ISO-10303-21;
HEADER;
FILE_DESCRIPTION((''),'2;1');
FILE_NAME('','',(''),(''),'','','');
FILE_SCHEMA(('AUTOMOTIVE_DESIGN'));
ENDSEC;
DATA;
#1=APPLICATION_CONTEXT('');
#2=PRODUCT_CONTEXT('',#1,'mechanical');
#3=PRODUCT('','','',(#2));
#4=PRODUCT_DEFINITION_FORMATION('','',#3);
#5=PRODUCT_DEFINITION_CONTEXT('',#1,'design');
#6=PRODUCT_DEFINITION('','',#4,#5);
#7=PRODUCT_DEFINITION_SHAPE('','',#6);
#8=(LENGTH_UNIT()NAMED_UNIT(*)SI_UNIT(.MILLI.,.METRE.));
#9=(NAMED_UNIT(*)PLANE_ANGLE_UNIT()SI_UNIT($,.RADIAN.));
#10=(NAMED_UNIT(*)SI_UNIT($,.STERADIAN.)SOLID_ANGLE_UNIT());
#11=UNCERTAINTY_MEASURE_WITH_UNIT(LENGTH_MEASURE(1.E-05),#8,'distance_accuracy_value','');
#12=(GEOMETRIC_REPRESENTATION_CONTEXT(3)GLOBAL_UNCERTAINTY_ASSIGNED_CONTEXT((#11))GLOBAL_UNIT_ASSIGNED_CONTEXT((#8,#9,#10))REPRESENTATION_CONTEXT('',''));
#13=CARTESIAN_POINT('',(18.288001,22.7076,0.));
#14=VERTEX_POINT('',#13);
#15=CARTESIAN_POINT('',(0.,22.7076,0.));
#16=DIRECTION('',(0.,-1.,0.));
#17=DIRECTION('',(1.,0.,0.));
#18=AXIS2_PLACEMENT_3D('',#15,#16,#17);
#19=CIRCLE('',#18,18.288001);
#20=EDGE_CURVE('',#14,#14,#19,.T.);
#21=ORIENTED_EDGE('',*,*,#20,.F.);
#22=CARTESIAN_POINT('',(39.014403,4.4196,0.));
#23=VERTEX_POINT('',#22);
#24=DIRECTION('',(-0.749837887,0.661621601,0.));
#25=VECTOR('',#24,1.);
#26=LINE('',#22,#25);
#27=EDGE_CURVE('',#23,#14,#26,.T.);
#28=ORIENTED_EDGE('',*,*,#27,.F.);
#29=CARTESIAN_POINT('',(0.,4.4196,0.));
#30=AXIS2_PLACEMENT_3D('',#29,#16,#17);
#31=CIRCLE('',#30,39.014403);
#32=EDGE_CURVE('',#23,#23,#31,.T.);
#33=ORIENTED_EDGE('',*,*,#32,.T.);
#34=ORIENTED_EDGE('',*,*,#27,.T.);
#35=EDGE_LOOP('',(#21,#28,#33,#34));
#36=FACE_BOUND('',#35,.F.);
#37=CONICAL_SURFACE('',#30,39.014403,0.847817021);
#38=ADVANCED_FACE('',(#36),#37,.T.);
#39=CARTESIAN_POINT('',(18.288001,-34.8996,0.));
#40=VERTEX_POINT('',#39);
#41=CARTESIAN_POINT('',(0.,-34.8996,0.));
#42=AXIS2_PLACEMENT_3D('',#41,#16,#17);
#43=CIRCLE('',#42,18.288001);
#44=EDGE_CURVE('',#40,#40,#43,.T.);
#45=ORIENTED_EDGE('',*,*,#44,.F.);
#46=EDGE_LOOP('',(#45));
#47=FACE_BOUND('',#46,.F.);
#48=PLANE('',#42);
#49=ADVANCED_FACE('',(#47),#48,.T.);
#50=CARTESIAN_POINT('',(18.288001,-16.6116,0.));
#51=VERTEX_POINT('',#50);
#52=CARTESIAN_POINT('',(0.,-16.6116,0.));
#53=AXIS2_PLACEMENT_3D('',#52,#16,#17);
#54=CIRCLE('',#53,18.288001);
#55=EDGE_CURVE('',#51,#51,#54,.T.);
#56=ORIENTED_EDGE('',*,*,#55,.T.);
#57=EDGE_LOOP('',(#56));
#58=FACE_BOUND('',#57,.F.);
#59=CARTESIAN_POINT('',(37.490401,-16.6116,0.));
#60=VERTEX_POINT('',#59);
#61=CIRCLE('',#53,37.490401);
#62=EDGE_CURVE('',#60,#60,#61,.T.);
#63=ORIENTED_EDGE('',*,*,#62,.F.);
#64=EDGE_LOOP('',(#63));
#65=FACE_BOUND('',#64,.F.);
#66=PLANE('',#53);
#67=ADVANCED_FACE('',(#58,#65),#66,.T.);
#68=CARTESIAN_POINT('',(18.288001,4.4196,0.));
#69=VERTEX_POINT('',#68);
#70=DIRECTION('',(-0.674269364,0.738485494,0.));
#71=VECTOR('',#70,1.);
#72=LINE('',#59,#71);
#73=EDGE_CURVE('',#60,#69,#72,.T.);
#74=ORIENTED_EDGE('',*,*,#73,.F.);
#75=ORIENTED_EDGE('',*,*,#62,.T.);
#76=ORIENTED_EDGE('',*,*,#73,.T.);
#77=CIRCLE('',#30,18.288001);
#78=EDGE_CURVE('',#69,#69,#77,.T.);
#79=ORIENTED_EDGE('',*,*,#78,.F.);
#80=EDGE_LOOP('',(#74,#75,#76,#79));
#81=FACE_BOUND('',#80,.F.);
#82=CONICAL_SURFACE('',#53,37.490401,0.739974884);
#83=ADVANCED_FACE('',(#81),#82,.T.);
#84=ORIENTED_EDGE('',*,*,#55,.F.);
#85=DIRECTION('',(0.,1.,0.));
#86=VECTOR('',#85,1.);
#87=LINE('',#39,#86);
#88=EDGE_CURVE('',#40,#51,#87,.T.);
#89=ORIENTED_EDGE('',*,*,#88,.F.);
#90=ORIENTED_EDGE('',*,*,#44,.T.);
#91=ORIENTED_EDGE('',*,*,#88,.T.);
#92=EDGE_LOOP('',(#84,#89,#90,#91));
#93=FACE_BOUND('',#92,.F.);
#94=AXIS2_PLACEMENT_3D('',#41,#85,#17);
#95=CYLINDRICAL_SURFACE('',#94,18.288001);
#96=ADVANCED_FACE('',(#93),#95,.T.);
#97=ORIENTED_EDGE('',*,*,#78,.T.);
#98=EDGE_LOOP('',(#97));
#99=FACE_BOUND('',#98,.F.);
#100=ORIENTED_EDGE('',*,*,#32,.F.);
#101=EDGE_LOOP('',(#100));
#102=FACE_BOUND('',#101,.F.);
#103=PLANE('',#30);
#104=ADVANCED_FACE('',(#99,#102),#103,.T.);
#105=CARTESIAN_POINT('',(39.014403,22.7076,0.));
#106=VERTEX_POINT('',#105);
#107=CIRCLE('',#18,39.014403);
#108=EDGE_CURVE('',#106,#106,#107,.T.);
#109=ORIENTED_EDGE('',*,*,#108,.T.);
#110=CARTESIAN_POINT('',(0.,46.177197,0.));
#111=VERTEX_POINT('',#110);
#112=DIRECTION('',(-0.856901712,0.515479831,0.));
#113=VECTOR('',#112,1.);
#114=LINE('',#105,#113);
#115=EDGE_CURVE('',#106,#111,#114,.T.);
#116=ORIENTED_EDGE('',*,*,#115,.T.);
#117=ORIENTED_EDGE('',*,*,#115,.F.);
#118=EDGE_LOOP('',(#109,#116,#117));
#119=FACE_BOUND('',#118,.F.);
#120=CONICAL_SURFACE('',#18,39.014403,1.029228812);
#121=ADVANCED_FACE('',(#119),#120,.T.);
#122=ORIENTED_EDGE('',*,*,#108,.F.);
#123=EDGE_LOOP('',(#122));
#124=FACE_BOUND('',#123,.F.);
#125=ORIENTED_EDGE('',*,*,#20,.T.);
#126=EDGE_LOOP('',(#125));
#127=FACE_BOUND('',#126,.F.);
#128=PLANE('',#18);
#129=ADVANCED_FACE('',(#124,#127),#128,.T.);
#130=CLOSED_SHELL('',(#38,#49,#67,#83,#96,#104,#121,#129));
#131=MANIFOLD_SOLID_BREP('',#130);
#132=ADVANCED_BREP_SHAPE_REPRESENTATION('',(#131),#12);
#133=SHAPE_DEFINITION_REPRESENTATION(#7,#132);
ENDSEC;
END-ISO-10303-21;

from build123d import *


with BuildPart() as f1:
    # F0 (on Top) → F1 (revolve)
    with BuildSketch(Plane.XY):
        Polygon((39.014403, 22.7076), (0, 46.177197), (0, -34.8996), (18.288001, -34.8996), (18.288001, -16.6116), (37.490401, -16.6116), (18.288001, 4.4196), (39.014403, 4.4196), (18.288001, 22.7076), align=None)
    revolve(axis=Axis((0, 2.743199, 0), (0, -1, 0)))


solid = f1.part
